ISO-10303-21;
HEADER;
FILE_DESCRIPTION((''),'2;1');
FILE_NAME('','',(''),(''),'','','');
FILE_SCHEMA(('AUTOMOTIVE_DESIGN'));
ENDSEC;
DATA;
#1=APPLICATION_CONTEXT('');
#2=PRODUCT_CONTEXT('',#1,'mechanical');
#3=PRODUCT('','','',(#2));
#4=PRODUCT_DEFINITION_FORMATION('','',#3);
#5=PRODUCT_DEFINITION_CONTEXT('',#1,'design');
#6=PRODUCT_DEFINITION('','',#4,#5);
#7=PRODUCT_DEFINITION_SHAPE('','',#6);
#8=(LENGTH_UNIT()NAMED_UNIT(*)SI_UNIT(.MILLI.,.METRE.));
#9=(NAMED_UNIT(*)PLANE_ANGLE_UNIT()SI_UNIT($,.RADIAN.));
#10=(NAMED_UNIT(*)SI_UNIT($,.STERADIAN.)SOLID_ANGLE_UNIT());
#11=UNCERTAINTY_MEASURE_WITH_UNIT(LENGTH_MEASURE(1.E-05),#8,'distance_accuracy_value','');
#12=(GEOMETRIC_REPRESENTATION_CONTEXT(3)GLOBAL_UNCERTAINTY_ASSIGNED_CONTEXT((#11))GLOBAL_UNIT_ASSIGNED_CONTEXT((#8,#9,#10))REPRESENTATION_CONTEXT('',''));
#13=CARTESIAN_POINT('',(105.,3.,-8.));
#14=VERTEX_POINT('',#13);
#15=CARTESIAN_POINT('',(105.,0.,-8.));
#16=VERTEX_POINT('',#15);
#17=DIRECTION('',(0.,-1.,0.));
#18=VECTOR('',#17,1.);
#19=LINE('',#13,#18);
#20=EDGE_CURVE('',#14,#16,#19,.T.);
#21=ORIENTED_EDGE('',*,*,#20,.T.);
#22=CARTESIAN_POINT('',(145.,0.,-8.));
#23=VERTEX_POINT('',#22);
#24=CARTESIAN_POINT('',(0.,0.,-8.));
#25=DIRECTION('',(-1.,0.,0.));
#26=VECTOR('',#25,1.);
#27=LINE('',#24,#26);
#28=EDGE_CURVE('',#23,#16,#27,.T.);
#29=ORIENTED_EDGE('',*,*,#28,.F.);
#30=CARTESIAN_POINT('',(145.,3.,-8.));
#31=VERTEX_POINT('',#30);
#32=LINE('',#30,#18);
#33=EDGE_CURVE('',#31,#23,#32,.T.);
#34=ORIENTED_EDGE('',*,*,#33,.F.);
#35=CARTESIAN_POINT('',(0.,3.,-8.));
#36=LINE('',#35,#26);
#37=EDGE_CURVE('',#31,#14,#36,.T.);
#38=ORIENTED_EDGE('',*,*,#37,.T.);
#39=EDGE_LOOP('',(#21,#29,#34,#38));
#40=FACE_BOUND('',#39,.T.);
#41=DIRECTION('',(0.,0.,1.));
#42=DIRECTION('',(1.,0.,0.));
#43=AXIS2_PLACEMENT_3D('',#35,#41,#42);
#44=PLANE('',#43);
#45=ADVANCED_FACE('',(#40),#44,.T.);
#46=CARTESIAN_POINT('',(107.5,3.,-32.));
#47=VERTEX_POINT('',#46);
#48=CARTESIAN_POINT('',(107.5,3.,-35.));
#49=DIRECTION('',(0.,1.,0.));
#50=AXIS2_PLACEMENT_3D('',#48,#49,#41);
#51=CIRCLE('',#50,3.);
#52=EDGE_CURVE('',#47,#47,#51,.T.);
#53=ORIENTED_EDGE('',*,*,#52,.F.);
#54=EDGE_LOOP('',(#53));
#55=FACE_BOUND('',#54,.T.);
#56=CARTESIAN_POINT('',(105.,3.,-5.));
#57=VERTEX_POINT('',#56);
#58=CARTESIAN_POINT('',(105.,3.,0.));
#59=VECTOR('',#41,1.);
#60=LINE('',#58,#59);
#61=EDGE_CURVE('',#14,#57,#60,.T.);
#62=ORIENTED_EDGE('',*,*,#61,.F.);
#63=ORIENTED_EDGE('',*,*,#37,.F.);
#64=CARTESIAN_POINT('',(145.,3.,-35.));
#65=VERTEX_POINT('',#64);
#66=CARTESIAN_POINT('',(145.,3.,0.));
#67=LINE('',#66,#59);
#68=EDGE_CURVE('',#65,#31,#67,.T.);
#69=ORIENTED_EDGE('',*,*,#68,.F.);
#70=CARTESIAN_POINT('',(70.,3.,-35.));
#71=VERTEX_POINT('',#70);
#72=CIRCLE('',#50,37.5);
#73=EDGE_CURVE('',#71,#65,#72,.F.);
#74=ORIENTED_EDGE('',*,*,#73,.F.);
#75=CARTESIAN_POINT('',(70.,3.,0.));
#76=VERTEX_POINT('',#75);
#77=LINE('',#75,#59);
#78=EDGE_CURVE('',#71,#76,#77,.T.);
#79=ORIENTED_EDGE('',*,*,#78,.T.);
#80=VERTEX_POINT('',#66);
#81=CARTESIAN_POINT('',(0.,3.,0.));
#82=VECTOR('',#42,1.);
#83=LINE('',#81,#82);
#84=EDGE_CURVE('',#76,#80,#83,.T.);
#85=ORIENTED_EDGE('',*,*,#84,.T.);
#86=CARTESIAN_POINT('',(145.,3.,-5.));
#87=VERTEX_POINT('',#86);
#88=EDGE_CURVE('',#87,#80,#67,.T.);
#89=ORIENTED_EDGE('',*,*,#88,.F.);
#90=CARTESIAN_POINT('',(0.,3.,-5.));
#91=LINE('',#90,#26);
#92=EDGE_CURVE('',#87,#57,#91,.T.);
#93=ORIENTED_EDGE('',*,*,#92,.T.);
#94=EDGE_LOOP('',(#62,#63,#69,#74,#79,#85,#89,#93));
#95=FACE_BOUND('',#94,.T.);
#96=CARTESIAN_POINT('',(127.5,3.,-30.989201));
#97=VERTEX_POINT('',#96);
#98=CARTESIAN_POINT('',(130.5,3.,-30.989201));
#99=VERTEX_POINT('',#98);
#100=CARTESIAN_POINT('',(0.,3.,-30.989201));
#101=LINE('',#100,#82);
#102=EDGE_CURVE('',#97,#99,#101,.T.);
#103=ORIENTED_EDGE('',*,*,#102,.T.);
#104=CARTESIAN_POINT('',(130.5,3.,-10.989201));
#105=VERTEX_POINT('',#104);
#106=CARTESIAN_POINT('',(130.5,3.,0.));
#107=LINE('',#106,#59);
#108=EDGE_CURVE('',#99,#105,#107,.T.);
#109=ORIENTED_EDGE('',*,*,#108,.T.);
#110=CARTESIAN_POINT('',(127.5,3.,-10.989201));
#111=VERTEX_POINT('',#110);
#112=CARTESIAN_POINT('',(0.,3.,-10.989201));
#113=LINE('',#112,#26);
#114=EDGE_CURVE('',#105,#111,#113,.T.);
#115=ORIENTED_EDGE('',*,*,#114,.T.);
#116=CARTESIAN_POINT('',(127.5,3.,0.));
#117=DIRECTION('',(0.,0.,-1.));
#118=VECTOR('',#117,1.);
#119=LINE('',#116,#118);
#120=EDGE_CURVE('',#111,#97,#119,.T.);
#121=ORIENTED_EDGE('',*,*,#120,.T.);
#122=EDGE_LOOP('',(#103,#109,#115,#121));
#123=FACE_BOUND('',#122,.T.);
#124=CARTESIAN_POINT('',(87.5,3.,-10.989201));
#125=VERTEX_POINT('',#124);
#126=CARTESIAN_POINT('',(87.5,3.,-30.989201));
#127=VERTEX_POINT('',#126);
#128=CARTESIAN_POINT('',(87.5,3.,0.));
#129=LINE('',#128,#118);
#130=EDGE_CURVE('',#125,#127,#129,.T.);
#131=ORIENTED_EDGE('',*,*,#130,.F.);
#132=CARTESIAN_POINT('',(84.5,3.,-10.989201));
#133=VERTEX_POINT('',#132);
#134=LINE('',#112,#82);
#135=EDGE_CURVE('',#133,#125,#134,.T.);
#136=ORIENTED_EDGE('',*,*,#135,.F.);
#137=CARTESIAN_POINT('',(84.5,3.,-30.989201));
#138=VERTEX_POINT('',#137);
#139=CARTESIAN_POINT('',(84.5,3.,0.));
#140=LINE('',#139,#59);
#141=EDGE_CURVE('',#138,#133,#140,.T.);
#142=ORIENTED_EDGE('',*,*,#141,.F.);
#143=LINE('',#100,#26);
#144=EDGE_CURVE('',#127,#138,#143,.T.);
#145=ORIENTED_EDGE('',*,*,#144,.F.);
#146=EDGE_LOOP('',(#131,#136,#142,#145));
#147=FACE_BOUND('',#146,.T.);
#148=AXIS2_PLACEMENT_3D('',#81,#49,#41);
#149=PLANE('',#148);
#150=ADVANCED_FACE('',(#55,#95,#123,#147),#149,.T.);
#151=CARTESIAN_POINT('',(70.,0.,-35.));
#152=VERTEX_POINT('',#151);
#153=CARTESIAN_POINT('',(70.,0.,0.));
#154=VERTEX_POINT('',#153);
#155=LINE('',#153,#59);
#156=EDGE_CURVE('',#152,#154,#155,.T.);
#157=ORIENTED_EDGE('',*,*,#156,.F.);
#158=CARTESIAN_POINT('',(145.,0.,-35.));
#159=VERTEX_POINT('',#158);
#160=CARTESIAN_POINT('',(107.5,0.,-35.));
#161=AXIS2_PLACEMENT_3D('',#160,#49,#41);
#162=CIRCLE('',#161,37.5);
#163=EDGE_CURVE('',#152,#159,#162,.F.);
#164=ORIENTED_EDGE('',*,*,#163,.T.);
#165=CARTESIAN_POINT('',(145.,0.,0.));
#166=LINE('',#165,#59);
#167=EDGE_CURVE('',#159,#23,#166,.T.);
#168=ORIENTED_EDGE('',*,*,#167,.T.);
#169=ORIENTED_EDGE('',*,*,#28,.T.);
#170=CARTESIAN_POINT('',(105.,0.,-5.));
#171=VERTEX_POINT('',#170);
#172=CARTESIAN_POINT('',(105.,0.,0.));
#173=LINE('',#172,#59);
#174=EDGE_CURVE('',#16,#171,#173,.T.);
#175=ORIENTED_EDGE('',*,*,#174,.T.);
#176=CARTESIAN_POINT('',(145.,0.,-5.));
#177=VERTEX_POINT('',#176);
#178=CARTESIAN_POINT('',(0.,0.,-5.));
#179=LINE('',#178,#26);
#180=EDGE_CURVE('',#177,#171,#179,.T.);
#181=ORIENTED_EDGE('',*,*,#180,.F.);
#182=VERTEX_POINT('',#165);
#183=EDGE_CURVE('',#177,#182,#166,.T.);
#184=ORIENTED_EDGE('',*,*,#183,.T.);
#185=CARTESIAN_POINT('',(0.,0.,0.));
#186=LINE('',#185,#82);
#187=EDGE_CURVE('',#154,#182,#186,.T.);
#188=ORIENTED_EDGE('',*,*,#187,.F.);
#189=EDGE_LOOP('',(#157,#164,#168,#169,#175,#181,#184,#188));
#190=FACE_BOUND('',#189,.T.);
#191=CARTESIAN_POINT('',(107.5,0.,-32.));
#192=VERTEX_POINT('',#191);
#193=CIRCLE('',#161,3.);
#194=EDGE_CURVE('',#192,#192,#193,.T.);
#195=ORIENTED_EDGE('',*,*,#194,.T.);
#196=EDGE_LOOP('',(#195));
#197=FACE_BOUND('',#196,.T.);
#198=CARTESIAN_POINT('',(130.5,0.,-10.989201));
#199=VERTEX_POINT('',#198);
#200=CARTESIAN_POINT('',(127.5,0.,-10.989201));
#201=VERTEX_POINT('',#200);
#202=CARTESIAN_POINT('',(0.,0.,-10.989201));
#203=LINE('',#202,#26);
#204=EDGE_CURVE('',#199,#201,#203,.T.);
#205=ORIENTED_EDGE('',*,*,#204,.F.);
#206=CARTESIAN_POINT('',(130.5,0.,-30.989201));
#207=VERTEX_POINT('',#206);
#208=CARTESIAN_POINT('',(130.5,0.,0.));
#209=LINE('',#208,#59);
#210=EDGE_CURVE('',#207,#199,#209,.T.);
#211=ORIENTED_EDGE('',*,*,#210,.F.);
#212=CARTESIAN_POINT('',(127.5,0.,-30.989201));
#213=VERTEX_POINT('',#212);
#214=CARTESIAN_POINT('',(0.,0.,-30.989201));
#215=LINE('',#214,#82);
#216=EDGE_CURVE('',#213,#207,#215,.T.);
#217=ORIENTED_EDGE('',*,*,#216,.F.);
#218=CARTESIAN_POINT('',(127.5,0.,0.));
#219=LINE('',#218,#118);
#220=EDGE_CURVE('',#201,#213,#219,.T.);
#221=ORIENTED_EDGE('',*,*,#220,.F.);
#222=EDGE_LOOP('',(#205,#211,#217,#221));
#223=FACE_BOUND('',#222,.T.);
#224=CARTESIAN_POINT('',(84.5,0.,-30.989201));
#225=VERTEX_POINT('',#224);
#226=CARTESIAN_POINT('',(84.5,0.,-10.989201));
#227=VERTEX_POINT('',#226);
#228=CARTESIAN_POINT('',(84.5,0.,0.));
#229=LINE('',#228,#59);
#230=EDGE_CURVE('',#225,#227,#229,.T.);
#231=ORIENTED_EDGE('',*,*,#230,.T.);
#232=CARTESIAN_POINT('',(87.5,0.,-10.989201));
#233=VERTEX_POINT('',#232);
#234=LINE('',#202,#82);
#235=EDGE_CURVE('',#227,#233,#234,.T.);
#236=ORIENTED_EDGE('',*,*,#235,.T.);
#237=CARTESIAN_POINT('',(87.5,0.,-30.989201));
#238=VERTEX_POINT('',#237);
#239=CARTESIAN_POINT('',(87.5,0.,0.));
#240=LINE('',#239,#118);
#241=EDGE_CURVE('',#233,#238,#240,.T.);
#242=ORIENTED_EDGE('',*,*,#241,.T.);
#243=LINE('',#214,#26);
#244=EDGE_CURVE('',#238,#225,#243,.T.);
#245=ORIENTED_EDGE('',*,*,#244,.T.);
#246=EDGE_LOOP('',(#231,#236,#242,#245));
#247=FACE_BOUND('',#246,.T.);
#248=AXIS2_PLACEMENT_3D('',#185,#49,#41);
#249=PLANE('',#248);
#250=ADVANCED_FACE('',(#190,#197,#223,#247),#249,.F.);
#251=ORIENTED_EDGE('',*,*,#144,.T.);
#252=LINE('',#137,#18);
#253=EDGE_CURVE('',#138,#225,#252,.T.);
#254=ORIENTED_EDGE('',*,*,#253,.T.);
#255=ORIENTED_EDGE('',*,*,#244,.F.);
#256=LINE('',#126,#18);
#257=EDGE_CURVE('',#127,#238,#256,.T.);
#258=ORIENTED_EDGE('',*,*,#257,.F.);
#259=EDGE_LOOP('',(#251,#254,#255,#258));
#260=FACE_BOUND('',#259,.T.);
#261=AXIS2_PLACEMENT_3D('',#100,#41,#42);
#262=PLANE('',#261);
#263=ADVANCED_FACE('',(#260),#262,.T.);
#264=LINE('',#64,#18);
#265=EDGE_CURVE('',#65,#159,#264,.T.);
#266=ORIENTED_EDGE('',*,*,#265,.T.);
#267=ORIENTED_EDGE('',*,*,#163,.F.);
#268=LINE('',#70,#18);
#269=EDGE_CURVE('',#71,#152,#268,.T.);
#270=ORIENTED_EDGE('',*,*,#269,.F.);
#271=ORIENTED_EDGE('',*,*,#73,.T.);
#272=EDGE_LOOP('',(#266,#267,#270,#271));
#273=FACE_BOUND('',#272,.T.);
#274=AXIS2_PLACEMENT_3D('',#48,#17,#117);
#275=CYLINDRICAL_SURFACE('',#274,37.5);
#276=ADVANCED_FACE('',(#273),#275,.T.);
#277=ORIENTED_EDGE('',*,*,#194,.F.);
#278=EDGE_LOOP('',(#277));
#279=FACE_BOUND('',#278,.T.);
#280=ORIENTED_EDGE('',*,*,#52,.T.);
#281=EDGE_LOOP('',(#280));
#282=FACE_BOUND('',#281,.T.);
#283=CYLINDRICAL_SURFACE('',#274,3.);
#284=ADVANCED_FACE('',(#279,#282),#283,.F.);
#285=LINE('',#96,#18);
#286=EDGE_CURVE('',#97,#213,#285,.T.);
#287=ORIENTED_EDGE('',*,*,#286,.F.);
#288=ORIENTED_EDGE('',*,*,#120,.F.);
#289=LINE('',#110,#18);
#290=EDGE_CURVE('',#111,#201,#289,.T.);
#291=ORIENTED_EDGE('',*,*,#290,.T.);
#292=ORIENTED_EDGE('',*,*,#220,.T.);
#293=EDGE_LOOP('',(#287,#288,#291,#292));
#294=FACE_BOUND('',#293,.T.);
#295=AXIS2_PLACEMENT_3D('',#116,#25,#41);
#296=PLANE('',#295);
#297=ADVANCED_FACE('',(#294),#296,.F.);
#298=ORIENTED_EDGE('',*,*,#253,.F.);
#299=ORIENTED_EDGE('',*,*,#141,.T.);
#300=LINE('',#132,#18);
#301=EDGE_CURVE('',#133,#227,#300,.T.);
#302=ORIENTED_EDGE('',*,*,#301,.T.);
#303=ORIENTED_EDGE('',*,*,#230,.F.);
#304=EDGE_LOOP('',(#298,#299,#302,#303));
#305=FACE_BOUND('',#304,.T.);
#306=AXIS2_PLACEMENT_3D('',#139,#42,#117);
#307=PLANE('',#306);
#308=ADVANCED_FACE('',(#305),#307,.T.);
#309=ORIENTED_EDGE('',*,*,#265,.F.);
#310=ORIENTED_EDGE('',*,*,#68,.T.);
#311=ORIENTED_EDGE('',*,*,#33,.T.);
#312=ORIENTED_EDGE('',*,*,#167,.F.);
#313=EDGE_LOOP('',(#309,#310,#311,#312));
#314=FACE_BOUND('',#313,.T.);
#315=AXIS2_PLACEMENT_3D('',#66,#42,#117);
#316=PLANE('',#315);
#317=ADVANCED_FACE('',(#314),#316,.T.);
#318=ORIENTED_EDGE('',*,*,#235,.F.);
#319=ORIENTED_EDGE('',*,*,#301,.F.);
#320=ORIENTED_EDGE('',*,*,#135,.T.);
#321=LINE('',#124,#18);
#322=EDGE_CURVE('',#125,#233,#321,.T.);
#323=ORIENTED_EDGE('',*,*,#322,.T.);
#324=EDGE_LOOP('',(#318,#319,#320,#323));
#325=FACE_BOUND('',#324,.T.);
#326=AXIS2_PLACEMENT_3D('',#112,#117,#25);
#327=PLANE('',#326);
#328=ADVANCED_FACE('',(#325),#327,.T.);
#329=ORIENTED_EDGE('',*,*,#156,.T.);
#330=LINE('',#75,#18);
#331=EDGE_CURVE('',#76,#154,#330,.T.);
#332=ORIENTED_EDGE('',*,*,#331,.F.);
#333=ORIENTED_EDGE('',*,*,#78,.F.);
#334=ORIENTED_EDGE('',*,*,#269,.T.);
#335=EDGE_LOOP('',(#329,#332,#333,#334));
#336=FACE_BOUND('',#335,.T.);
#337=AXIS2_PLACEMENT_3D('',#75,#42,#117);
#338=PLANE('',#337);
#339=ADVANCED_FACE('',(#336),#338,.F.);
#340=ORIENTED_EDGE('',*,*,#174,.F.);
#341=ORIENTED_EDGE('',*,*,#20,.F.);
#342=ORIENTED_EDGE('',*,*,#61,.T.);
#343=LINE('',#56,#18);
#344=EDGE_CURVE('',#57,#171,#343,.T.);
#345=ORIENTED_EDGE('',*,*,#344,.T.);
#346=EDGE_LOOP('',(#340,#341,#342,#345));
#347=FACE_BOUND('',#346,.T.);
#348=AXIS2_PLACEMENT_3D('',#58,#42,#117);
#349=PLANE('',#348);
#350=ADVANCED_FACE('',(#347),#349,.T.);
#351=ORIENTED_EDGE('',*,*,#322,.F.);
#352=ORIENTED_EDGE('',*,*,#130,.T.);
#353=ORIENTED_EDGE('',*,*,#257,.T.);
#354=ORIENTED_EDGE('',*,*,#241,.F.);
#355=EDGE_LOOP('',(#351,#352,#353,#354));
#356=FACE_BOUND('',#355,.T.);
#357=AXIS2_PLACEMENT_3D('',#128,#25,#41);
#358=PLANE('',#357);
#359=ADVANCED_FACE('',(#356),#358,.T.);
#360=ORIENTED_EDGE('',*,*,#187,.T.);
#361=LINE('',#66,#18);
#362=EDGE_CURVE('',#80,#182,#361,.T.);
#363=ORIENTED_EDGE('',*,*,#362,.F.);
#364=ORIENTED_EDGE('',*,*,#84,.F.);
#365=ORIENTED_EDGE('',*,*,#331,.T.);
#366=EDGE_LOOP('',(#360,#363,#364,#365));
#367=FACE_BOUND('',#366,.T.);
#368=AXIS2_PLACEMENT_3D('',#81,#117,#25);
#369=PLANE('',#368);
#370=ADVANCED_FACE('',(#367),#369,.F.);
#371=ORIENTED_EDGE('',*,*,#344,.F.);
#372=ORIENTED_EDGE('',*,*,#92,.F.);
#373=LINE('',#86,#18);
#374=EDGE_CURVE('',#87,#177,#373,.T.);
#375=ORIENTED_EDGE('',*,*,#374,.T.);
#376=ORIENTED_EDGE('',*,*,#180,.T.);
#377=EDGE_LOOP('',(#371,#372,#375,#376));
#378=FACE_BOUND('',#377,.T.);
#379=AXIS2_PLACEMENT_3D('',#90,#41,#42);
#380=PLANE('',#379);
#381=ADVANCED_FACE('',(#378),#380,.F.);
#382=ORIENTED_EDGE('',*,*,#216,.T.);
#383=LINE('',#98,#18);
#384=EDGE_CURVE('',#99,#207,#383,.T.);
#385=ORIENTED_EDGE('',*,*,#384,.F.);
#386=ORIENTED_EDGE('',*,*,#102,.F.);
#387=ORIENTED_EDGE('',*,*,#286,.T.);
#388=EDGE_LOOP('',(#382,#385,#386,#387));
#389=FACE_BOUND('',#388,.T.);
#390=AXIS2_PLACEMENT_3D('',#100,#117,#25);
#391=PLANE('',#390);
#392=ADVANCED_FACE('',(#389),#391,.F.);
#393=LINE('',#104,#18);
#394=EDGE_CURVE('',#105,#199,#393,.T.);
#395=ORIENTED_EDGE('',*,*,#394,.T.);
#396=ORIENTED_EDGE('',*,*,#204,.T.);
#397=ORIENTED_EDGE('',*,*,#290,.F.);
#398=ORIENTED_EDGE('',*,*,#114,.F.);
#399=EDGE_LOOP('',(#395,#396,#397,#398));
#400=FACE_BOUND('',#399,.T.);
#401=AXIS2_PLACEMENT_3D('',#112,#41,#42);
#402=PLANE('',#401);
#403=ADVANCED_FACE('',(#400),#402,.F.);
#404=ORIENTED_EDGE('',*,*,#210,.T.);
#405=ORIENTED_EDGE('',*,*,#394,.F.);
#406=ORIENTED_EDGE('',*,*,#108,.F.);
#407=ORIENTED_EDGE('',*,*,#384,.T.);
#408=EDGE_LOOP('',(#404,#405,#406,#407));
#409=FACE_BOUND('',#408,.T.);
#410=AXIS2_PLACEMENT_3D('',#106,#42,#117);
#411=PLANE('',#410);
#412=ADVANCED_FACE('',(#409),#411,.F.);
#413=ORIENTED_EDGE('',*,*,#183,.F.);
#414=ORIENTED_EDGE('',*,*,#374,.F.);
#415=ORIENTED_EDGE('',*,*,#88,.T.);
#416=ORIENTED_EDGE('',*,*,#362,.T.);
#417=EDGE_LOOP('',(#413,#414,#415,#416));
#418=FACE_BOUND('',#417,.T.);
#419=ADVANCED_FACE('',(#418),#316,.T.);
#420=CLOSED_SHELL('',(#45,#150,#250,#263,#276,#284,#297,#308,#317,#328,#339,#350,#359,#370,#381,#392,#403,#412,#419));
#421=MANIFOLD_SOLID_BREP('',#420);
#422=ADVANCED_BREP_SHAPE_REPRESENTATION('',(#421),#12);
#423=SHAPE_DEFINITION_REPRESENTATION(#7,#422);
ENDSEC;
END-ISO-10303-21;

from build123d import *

# Parameters (mm, degrees)
SKETCH1_R           = 3
BOSS_EXTRUDE6_DEPTH = 3


with BuildPart() as part:
    # Sketch1 → Boss-Extrude6 (new body)
    with BuildSketch(Plane(origin=(0, 0, 0), x_dir=(1, 0, 0), z_dir=(0, 1, 0))):
        with BuildLine():
            ThreePointArc((70, 35), (107.5, 72.5), (145, 35))
            Line((145, 35), (145, 8))
            Line((145, 8), (105, 8))
            Line((105, 8), (105, 5))
            Line((105, 5), (145, 5))
            Line((145, 5), (145, 0))
            Line((145, 0), (70, 0))
            Line((70, 0), (70, 35))
        make_face()
        with Locations((107.5, 35)):
            Circle(SKETCH1_R, mode=Mode.SUBTRACT)
        Polygon((87.5, 10.989200562), (87.5, 20.989200562), (87.5, 30.989200562), (84.5, 30.989200562), (84.5, 10.989200562), align=None, mode=Mode.SUBTRACT)
        Polygon((130.5, 10.989200562), (127.5, 10.989200562), (127.5, 20.989200562), (127.5, 30.989200562), (130.5, 30.989200562), align=None, mode=Mode.SUBTRACT)
    extrude(amount=BOSS_EXTRUDE6_DEPTH)


solid = part.part
